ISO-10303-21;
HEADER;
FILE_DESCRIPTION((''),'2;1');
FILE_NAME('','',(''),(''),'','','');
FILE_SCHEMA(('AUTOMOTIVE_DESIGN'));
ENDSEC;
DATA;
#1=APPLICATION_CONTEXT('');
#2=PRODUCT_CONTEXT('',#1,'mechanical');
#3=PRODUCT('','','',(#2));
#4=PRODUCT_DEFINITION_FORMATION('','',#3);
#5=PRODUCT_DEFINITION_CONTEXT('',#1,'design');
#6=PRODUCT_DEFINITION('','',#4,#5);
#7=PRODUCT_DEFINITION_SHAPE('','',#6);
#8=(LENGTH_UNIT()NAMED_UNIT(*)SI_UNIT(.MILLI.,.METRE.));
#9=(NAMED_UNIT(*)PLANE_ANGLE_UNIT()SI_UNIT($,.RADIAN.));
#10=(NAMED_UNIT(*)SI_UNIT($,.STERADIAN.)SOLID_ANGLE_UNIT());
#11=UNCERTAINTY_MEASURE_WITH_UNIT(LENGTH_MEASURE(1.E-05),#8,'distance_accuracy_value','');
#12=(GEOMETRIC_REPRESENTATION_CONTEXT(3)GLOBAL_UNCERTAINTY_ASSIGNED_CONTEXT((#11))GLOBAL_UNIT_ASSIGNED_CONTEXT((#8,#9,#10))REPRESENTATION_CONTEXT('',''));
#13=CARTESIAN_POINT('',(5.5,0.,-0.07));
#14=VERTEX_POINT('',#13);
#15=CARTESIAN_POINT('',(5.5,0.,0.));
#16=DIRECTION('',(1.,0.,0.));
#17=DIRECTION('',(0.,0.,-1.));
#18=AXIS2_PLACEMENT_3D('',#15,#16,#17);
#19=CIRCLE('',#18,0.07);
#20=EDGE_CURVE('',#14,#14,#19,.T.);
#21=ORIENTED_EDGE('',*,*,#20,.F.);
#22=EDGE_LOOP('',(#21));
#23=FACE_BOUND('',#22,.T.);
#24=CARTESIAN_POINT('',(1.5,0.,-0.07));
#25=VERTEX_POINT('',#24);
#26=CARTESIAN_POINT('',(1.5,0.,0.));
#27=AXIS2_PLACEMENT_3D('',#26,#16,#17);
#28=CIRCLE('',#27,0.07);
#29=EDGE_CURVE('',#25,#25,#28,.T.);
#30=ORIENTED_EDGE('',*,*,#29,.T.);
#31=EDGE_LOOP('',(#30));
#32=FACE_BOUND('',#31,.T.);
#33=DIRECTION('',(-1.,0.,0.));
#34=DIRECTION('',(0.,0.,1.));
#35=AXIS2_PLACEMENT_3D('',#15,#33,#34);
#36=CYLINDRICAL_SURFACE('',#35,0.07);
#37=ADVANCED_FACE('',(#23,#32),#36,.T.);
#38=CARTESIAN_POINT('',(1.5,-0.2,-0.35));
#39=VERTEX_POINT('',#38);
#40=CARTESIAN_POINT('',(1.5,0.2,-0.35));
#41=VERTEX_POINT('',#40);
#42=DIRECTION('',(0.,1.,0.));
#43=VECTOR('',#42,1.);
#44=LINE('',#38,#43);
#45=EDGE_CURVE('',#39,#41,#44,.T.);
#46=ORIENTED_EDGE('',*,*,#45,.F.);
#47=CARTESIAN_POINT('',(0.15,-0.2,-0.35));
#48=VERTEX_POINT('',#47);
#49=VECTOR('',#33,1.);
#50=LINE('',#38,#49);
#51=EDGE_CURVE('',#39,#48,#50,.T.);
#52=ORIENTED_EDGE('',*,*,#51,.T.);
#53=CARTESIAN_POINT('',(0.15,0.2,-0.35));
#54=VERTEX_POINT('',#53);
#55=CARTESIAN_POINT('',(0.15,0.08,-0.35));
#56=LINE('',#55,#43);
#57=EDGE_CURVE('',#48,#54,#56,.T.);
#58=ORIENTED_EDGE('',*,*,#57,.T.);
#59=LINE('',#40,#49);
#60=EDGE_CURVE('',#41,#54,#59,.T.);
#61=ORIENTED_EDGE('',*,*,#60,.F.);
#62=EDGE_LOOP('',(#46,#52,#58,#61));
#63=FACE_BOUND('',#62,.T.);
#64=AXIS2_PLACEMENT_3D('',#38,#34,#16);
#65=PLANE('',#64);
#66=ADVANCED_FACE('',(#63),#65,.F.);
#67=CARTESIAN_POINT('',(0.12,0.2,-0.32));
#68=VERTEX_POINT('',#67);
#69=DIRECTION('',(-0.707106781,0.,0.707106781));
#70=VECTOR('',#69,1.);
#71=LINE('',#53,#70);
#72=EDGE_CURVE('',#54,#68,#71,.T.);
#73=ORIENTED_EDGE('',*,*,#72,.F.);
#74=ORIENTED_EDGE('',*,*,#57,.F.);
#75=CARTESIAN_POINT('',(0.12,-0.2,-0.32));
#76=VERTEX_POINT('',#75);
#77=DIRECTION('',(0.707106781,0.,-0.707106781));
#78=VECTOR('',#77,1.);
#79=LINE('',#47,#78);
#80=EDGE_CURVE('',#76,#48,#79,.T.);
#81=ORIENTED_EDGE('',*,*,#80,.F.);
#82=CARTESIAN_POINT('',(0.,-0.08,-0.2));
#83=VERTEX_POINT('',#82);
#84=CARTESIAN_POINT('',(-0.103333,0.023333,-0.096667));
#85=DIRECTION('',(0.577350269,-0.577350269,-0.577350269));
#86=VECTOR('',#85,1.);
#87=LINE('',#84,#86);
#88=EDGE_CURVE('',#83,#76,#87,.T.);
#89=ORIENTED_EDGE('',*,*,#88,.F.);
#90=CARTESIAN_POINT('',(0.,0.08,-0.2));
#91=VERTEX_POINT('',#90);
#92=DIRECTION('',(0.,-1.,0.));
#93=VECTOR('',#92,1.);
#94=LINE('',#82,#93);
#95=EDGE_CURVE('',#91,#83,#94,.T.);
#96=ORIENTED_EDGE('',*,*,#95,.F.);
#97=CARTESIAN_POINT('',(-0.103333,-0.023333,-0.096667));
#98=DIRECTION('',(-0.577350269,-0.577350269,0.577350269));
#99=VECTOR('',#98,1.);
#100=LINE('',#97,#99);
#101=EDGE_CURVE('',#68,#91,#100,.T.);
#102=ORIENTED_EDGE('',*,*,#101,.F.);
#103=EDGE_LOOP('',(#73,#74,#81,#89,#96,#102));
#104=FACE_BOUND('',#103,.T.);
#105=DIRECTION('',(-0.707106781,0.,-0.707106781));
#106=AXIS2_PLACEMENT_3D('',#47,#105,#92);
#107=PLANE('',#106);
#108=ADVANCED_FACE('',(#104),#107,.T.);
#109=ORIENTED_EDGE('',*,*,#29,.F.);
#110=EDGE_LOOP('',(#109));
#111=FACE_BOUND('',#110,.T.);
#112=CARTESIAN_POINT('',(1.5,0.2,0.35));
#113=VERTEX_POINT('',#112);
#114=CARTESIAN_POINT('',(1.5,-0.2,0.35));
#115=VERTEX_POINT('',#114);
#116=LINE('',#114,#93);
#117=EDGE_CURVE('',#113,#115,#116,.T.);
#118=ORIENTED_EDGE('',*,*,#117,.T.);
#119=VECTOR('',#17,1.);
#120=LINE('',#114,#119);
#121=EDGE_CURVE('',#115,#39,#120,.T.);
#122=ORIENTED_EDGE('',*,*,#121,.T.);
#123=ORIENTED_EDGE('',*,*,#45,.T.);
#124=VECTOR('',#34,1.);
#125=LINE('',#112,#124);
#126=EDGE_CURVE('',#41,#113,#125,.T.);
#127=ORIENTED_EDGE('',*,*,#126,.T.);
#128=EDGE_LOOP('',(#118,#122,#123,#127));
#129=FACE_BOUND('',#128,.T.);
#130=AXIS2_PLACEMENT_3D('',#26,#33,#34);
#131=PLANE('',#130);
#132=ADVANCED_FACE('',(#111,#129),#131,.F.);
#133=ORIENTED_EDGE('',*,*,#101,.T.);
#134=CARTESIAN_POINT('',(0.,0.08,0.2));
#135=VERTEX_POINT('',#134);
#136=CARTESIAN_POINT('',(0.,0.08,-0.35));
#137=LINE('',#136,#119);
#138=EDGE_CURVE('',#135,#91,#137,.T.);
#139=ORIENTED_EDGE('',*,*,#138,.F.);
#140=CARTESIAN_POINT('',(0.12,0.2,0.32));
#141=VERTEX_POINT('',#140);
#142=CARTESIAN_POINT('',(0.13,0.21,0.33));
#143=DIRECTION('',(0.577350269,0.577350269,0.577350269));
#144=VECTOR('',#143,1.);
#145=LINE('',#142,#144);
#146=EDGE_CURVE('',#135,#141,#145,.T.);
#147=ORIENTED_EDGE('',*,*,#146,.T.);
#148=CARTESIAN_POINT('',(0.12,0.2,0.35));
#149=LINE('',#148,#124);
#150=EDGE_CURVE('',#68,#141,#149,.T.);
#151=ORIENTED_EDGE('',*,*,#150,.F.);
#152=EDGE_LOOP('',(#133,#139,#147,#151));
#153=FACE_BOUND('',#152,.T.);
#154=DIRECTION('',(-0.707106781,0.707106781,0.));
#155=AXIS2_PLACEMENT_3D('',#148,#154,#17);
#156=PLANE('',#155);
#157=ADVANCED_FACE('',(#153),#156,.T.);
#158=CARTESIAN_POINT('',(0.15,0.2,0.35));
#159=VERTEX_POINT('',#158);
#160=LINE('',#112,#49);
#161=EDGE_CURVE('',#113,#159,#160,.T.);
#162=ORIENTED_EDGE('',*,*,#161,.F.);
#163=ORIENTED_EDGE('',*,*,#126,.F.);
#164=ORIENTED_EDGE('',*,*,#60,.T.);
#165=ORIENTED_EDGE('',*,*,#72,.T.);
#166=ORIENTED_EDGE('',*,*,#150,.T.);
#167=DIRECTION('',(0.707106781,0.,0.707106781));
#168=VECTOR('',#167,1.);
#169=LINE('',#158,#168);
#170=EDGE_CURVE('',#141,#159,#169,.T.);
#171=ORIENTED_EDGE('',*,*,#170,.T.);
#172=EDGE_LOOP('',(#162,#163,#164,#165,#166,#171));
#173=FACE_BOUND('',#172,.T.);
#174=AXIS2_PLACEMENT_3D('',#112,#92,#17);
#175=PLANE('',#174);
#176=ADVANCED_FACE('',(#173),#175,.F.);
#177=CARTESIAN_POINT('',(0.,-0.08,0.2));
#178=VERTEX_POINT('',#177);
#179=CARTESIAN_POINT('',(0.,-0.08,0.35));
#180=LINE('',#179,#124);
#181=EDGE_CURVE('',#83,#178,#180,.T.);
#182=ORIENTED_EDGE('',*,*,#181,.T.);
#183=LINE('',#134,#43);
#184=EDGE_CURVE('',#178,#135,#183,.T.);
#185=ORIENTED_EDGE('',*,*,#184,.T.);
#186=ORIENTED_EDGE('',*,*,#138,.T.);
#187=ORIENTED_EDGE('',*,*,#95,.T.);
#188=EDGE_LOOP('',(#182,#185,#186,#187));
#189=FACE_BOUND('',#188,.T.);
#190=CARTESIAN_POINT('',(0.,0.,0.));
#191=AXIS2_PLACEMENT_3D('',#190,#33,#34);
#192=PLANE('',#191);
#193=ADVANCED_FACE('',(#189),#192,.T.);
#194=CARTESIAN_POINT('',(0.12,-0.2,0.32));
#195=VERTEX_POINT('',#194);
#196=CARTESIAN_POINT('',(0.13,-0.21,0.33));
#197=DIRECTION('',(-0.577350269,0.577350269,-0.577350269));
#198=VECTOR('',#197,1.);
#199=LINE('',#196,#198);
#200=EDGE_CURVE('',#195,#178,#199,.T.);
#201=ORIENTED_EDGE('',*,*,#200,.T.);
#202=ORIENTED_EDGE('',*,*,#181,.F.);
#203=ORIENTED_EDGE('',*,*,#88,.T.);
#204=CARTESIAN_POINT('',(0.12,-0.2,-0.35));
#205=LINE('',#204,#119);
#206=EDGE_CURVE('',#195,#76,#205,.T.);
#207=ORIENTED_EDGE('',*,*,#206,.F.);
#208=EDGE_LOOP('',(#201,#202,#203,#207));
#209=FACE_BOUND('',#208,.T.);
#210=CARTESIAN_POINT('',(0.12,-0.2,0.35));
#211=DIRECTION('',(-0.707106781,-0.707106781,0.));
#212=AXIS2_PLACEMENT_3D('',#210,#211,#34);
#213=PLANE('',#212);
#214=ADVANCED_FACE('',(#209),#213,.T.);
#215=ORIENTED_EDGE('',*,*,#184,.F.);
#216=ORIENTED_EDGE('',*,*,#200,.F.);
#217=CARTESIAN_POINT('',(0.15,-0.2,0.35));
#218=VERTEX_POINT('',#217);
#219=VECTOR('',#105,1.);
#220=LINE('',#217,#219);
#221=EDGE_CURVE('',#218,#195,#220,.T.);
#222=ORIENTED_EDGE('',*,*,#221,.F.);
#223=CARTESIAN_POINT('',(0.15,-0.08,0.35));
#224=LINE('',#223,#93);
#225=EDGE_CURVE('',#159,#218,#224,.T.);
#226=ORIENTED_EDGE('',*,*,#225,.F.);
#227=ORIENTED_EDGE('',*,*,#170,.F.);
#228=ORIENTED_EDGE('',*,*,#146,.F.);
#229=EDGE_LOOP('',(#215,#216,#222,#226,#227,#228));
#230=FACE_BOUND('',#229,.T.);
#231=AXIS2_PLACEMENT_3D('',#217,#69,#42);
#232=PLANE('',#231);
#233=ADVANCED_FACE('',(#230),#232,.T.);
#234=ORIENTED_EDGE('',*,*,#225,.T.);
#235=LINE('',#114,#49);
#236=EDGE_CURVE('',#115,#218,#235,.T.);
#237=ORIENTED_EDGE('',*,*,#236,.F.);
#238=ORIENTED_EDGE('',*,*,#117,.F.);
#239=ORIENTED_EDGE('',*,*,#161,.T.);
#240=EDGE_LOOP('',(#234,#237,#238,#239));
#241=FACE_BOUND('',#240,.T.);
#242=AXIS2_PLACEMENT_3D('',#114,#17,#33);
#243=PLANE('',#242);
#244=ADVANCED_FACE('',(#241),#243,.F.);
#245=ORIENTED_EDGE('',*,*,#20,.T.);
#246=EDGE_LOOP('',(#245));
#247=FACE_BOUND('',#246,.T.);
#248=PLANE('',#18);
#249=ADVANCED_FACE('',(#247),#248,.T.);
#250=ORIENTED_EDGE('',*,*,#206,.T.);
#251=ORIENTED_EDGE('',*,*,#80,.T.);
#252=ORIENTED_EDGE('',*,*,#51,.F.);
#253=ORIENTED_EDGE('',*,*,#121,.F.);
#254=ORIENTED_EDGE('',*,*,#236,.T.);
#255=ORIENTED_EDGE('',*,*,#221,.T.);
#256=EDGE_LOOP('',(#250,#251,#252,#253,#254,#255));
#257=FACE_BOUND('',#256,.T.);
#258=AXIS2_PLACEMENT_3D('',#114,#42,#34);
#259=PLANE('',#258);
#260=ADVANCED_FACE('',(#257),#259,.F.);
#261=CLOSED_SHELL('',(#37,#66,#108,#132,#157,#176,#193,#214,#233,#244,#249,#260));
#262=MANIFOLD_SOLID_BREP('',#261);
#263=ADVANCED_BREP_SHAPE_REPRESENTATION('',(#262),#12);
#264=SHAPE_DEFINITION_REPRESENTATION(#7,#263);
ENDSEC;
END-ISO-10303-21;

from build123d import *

# Parameters (mm, degrees)
SKETCH1_W           = 0.7
SKETCH1_H           = 0.4
BOSS_EXTRUDE1_DEPTH = 1.5
SKETCH2_R           = 0.07
BOSS_EXTRUDE2_DEPTH = 4
CHAMFER1_SIZE       = 0.12
CHAMFER2_SIZE       = 0.15


with BuildPart() as part:
    # Sketch1 → Boss-Extrude1 (new body)
    with BuildSketch(Plane(origin=(0, 0, 0), x_dir=(0, 0, -1), z_dir=(1, 0, 0))):
        Rectangle(SKETCH1_W, SKETCH1_H)
    extrude(amount=BOSS_EXTRUDE1_DEPTH)

    # Sketch2 → Boss-Extrude2 (add)
    with BuildSketch(Plane(origin=(1.5, 0, 0), x_dir=(0, 0, -1), z_dir=(1, 0, 0))):
        Circle(SKETCH2_R)
    extrude(amount=BOSS_EXTRUDE2_DEPTH)

    # Chamfer1
    chamfer1_edges = [part.edges().sort_by_distance(p)[0] for p in [
        (0, -0.2, 0),
        (0, 0.2, 0),
    ]]
    chamfer(chamfer1_edges, length=CHAMFER1_SIZE)

    # Chamfer2
    chamfer2_edges = [part.edges().sort_by_distance(p)[0] for p in [
        (0, 0, 0.35),
        (0, 0, -0.35),
    ]]
    chamfer(chamfer2_edges, length=CHAMFER2_SIZE)


solid = part.part
